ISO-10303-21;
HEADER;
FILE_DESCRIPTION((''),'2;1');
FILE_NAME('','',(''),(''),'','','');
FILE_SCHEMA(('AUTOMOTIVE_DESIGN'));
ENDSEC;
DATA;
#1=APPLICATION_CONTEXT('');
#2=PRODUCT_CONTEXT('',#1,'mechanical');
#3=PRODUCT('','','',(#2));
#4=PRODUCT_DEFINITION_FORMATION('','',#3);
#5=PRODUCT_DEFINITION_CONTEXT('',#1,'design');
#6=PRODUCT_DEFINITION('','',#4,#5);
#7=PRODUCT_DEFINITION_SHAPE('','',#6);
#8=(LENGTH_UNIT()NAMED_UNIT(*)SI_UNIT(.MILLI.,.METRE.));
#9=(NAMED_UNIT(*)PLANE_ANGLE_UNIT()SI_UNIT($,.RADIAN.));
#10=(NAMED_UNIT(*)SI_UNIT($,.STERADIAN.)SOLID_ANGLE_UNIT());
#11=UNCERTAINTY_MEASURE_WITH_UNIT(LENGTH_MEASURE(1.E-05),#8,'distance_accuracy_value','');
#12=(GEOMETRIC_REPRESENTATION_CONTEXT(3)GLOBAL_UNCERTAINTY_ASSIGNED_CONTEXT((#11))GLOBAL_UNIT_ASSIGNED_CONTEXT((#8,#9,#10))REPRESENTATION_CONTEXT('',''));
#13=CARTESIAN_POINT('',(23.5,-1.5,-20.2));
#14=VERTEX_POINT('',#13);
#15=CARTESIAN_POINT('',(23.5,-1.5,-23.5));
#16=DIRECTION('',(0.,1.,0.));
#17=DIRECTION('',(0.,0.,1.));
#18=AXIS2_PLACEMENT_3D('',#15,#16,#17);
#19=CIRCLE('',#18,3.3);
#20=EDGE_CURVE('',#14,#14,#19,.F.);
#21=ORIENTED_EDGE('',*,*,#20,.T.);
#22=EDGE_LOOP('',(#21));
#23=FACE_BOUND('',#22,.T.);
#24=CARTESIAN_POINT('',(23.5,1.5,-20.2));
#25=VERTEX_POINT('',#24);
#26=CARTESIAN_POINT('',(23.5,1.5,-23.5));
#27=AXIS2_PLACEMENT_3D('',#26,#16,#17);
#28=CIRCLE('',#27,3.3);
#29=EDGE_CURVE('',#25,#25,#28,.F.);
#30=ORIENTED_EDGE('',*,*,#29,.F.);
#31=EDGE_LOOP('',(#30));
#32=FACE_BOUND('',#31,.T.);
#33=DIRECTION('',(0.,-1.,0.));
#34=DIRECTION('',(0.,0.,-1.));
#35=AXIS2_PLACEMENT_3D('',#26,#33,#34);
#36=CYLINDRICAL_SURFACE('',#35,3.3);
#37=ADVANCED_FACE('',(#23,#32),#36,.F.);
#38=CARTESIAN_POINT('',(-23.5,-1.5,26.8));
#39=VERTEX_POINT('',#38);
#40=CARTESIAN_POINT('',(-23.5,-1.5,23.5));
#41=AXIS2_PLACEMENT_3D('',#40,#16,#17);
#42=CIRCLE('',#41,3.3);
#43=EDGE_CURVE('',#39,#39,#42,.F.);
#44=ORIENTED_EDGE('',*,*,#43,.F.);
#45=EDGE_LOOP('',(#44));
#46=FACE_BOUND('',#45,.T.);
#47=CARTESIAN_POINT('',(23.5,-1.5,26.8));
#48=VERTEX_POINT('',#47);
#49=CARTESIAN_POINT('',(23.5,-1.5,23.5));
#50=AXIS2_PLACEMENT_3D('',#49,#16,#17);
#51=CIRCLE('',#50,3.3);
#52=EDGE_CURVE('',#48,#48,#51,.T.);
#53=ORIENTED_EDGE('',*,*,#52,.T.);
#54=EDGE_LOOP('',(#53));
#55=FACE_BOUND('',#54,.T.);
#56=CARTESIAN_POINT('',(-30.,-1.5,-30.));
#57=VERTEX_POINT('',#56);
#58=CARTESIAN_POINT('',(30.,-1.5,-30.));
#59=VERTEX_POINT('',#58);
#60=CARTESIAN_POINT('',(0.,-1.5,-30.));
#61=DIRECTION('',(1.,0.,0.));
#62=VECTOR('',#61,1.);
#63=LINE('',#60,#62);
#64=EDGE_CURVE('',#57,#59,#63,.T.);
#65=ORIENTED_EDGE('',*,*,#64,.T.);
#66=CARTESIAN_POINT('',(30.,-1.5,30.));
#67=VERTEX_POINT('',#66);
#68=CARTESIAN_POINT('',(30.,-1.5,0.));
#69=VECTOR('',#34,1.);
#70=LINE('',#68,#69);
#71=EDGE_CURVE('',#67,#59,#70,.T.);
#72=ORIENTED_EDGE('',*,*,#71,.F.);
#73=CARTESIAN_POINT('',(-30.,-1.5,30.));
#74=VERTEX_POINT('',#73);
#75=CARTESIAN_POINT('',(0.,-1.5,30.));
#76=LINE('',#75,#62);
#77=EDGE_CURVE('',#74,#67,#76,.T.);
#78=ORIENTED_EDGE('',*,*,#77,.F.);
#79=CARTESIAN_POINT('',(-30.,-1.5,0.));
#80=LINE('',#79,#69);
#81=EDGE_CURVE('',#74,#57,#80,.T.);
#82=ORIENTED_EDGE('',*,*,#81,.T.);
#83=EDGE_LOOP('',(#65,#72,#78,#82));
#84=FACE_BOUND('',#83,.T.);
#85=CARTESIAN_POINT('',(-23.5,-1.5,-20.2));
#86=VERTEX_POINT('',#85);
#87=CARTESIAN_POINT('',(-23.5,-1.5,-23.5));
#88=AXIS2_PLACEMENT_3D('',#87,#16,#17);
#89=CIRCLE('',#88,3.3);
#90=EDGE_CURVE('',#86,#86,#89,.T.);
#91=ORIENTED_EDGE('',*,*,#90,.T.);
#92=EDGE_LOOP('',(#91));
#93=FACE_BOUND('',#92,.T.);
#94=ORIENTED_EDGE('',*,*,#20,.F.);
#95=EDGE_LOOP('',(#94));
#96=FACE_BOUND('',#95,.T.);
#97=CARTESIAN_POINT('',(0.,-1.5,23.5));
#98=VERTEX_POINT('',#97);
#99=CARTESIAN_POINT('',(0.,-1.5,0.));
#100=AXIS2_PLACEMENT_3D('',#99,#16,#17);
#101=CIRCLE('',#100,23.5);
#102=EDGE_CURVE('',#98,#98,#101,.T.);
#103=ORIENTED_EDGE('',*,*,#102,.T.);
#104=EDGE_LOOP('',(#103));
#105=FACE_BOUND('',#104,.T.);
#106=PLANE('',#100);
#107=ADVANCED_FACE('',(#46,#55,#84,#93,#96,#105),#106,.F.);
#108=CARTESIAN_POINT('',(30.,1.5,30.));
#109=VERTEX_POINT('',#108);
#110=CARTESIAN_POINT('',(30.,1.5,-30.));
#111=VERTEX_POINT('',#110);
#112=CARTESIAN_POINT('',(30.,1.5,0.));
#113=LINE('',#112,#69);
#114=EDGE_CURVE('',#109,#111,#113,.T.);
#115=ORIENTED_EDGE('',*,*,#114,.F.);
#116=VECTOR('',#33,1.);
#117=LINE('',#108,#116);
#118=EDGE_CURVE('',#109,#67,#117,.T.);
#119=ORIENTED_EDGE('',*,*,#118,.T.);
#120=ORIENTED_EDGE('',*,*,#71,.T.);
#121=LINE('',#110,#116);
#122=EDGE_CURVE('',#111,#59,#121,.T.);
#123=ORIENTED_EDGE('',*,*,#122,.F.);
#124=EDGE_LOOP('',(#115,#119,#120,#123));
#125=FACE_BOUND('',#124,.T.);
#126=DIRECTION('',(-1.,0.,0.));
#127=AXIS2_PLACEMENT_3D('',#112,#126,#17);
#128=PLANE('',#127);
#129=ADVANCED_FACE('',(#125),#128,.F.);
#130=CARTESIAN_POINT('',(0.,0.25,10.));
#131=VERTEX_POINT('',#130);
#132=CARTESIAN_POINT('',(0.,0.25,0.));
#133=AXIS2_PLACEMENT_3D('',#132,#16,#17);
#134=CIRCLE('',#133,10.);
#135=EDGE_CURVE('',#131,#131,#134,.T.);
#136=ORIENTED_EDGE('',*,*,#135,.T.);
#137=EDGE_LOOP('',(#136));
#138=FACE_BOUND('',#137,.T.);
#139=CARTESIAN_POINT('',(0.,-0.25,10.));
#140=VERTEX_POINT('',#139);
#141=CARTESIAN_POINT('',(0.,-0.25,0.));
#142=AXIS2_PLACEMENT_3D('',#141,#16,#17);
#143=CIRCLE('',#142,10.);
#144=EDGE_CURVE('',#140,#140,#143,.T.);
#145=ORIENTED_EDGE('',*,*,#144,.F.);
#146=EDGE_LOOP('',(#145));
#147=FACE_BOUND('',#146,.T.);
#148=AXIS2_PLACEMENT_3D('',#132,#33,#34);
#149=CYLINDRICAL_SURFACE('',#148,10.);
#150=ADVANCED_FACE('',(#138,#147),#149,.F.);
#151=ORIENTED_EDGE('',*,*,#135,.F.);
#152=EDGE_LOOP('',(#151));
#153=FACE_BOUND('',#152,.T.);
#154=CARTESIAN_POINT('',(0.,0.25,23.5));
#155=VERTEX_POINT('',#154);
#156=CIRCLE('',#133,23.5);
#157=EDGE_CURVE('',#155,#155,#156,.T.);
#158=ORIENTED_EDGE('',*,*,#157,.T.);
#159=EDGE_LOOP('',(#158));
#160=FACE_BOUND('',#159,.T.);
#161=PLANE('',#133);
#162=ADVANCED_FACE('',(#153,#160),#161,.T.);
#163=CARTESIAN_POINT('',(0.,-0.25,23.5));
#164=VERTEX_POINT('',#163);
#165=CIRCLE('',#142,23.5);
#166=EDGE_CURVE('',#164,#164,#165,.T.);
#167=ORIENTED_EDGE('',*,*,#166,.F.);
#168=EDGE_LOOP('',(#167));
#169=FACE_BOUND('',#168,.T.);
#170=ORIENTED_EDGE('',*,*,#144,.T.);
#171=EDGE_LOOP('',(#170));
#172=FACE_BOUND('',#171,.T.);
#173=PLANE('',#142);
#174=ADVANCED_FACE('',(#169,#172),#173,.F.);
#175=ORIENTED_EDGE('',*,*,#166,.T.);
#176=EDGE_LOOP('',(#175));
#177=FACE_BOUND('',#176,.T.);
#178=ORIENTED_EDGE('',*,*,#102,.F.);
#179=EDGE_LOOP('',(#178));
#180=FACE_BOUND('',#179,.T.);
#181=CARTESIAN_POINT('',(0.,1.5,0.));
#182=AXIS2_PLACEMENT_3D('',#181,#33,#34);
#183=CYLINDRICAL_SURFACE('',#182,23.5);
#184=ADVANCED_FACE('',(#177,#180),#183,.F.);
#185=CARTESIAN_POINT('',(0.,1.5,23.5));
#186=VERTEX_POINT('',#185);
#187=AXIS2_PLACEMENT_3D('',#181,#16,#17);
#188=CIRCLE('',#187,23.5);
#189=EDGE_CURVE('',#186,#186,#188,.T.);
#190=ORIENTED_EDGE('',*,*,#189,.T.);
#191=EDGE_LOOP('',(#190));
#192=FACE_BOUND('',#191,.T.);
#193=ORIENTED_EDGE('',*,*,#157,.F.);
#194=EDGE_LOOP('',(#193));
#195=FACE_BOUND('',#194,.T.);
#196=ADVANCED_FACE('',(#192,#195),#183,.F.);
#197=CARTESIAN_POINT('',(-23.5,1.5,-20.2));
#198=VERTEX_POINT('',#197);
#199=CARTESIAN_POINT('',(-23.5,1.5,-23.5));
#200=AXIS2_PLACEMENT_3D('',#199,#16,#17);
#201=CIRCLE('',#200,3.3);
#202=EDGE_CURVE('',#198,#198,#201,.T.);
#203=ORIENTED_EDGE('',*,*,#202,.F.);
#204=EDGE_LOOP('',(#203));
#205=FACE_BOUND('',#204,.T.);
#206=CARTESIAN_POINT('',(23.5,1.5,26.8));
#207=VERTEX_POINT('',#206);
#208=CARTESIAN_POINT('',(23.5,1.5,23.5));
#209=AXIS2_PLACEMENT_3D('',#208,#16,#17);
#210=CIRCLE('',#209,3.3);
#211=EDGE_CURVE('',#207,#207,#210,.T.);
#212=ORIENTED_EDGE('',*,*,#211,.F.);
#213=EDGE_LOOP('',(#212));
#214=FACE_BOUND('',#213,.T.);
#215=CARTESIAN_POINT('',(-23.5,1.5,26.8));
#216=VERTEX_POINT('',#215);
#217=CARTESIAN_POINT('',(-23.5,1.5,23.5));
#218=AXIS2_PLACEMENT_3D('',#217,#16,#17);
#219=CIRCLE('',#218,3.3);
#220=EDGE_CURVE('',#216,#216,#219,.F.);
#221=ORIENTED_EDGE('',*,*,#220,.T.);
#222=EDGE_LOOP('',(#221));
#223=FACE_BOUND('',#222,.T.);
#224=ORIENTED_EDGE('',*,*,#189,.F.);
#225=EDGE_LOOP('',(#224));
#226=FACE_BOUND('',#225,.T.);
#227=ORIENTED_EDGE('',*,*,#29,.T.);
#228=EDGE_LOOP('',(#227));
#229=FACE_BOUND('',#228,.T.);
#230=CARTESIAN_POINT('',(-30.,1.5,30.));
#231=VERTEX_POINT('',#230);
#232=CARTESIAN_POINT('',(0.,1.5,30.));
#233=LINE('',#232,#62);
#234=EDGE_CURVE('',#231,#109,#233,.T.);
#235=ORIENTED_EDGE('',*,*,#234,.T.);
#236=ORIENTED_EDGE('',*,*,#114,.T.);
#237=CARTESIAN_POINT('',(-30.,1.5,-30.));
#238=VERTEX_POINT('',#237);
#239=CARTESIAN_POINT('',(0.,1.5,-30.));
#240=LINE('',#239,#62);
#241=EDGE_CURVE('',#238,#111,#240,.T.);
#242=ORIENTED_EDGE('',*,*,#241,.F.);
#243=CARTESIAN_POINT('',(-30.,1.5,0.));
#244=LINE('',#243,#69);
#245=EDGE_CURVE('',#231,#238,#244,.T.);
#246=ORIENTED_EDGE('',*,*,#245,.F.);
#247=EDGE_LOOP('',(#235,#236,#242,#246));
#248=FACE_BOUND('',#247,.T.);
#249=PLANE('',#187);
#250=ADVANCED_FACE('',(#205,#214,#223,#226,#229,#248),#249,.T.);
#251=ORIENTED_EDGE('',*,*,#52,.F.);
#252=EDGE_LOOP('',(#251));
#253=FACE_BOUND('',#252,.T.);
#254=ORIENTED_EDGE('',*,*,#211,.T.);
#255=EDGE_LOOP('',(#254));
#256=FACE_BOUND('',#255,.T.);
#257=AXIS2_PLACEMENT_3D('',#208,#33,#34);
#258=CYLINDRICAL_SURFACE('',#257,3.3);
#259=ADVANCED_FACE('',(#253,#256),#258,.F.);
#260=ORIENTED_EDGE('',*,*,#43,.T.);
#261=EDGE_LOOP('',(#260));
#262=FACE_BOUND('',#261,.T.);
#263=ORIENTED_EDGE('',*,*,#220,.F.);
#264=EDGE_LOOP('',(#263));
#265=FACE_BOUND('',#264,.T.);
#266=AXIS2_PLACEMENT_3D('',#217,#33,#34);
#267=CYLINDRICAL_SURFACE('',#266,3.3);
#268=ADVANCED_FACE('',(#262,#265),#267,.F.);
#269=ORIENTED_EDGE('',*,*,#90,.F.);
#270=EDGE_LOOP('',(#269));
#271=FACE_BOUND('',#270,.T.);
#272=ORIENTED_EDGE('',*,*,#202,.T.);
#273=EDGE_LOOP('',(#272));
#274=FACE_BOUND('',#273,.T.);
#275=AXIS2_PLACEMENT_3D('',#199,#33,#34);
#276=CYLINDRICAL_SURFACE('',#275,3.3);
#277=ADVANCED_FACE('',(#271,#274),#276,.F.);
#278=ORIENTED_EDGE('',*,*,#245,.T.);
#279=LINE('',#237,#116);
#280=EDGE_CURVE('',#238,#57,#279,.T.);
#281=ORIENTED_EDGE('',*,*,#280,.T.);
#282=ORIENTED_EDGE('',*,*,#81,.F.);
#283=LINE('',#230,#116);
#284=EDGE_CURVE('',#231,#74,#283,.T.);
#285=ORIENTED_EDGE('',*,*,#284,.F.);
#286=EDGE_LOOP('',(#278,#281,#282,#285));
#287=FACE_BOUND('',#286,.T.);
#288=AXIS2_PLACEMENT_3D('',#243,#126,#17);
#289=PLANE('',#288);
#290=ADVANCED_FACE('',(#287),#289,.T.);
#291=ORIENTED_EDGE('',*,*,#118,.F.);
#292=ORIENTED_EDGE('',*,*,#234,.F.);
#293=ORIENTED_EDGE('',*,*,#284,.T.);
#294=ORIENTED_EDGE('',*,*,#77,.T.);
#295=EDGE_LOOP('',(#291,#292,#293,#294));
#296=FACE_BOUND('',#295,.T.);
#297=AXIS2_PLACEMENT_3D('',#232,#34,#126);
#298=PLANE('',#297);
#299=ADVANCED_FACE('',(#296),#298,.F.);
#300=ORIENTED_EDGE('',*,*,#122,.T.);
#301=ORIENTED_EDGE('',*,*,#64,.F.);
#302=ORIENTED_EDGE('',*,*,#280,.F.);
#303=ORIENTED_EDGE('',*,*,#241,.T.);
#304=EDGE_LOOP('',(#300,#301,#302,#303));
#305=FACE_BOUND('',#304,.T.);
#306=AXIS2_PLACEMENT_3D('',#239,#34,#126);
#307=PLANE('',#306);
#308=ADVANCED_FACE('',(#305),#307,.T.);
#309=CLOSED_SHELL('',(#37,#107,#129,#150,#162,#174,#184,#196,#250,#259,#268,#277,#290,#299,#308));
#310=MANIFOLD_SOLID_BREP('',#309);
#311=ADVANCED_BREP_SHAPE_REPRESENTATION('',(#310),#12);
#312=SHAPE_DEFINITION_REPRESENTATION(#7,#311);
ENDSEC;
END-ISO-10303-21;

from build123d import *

# Parameters (mm, degrees)
SKETCH2_W           = 60
SKETCH2_H           = 60
SKETCH2_R           = 23.5
SKETCH2_R_2         = 3.3
BOSS_EXTRUDE1_DEPTH = 1.5
BOSS_EXTRUDE2_START = -0.25
SKETCH2_3_R         = 23.5
SKETCH2_3_R_2       = 10
BOSS_EXTRUDE2_DEPTH = 0.5


with BuildPart() as part:
    # Sketch2 → Boss-Extrude1 (new body, symmetric)
    with BuildSketch(Plane(origin=(0, 0, 0), x_dir=(1, 0, 0), z_dir=(0, 1, 0))):
        Rectangle(SKETCH2_W, SKETCH2_H)
        Circle(SKETCH2_R, mode=Mode.SUBTRACT)
        with Locations((23.5, 23.5)):
            Circle(SKETCH2_R_2, mode=Mode.SUBTRACT)
        with Locations((-23.5, 23.5)):
            Circle(SKETCH2_R_2, mode=Mode.SUBTRACT)
        with Locations((23.5, -23.5)):
            Circle(SKETCH2_R_2, mode=Mode.SUBTRACT)
        with Locations((-23.5, -23.5)):
            Circle(SKETCH2_R_2, mode=Mode.SUBTRACT)
    extrude(amount=BOSS_EXTRUDE1_DEPTH, both=True)

    # Sketch2_3 → Boss-Extrude2 (add)
    with BuildSketch(Plane(origin=(0, 0, 0), x_dir=(1, 0, 0), z_dir=(0, 1, 0)).offset(BOSS_EXTRUDE2_START)):
        Circle(SKETCH2_3_R)
        Circle(SKETCH2_3_R_2, mode=Mode.SUBTRACT)
    extrude(amount=BOSS_EXTRUDE2_DEPTH)


solid = part.part
